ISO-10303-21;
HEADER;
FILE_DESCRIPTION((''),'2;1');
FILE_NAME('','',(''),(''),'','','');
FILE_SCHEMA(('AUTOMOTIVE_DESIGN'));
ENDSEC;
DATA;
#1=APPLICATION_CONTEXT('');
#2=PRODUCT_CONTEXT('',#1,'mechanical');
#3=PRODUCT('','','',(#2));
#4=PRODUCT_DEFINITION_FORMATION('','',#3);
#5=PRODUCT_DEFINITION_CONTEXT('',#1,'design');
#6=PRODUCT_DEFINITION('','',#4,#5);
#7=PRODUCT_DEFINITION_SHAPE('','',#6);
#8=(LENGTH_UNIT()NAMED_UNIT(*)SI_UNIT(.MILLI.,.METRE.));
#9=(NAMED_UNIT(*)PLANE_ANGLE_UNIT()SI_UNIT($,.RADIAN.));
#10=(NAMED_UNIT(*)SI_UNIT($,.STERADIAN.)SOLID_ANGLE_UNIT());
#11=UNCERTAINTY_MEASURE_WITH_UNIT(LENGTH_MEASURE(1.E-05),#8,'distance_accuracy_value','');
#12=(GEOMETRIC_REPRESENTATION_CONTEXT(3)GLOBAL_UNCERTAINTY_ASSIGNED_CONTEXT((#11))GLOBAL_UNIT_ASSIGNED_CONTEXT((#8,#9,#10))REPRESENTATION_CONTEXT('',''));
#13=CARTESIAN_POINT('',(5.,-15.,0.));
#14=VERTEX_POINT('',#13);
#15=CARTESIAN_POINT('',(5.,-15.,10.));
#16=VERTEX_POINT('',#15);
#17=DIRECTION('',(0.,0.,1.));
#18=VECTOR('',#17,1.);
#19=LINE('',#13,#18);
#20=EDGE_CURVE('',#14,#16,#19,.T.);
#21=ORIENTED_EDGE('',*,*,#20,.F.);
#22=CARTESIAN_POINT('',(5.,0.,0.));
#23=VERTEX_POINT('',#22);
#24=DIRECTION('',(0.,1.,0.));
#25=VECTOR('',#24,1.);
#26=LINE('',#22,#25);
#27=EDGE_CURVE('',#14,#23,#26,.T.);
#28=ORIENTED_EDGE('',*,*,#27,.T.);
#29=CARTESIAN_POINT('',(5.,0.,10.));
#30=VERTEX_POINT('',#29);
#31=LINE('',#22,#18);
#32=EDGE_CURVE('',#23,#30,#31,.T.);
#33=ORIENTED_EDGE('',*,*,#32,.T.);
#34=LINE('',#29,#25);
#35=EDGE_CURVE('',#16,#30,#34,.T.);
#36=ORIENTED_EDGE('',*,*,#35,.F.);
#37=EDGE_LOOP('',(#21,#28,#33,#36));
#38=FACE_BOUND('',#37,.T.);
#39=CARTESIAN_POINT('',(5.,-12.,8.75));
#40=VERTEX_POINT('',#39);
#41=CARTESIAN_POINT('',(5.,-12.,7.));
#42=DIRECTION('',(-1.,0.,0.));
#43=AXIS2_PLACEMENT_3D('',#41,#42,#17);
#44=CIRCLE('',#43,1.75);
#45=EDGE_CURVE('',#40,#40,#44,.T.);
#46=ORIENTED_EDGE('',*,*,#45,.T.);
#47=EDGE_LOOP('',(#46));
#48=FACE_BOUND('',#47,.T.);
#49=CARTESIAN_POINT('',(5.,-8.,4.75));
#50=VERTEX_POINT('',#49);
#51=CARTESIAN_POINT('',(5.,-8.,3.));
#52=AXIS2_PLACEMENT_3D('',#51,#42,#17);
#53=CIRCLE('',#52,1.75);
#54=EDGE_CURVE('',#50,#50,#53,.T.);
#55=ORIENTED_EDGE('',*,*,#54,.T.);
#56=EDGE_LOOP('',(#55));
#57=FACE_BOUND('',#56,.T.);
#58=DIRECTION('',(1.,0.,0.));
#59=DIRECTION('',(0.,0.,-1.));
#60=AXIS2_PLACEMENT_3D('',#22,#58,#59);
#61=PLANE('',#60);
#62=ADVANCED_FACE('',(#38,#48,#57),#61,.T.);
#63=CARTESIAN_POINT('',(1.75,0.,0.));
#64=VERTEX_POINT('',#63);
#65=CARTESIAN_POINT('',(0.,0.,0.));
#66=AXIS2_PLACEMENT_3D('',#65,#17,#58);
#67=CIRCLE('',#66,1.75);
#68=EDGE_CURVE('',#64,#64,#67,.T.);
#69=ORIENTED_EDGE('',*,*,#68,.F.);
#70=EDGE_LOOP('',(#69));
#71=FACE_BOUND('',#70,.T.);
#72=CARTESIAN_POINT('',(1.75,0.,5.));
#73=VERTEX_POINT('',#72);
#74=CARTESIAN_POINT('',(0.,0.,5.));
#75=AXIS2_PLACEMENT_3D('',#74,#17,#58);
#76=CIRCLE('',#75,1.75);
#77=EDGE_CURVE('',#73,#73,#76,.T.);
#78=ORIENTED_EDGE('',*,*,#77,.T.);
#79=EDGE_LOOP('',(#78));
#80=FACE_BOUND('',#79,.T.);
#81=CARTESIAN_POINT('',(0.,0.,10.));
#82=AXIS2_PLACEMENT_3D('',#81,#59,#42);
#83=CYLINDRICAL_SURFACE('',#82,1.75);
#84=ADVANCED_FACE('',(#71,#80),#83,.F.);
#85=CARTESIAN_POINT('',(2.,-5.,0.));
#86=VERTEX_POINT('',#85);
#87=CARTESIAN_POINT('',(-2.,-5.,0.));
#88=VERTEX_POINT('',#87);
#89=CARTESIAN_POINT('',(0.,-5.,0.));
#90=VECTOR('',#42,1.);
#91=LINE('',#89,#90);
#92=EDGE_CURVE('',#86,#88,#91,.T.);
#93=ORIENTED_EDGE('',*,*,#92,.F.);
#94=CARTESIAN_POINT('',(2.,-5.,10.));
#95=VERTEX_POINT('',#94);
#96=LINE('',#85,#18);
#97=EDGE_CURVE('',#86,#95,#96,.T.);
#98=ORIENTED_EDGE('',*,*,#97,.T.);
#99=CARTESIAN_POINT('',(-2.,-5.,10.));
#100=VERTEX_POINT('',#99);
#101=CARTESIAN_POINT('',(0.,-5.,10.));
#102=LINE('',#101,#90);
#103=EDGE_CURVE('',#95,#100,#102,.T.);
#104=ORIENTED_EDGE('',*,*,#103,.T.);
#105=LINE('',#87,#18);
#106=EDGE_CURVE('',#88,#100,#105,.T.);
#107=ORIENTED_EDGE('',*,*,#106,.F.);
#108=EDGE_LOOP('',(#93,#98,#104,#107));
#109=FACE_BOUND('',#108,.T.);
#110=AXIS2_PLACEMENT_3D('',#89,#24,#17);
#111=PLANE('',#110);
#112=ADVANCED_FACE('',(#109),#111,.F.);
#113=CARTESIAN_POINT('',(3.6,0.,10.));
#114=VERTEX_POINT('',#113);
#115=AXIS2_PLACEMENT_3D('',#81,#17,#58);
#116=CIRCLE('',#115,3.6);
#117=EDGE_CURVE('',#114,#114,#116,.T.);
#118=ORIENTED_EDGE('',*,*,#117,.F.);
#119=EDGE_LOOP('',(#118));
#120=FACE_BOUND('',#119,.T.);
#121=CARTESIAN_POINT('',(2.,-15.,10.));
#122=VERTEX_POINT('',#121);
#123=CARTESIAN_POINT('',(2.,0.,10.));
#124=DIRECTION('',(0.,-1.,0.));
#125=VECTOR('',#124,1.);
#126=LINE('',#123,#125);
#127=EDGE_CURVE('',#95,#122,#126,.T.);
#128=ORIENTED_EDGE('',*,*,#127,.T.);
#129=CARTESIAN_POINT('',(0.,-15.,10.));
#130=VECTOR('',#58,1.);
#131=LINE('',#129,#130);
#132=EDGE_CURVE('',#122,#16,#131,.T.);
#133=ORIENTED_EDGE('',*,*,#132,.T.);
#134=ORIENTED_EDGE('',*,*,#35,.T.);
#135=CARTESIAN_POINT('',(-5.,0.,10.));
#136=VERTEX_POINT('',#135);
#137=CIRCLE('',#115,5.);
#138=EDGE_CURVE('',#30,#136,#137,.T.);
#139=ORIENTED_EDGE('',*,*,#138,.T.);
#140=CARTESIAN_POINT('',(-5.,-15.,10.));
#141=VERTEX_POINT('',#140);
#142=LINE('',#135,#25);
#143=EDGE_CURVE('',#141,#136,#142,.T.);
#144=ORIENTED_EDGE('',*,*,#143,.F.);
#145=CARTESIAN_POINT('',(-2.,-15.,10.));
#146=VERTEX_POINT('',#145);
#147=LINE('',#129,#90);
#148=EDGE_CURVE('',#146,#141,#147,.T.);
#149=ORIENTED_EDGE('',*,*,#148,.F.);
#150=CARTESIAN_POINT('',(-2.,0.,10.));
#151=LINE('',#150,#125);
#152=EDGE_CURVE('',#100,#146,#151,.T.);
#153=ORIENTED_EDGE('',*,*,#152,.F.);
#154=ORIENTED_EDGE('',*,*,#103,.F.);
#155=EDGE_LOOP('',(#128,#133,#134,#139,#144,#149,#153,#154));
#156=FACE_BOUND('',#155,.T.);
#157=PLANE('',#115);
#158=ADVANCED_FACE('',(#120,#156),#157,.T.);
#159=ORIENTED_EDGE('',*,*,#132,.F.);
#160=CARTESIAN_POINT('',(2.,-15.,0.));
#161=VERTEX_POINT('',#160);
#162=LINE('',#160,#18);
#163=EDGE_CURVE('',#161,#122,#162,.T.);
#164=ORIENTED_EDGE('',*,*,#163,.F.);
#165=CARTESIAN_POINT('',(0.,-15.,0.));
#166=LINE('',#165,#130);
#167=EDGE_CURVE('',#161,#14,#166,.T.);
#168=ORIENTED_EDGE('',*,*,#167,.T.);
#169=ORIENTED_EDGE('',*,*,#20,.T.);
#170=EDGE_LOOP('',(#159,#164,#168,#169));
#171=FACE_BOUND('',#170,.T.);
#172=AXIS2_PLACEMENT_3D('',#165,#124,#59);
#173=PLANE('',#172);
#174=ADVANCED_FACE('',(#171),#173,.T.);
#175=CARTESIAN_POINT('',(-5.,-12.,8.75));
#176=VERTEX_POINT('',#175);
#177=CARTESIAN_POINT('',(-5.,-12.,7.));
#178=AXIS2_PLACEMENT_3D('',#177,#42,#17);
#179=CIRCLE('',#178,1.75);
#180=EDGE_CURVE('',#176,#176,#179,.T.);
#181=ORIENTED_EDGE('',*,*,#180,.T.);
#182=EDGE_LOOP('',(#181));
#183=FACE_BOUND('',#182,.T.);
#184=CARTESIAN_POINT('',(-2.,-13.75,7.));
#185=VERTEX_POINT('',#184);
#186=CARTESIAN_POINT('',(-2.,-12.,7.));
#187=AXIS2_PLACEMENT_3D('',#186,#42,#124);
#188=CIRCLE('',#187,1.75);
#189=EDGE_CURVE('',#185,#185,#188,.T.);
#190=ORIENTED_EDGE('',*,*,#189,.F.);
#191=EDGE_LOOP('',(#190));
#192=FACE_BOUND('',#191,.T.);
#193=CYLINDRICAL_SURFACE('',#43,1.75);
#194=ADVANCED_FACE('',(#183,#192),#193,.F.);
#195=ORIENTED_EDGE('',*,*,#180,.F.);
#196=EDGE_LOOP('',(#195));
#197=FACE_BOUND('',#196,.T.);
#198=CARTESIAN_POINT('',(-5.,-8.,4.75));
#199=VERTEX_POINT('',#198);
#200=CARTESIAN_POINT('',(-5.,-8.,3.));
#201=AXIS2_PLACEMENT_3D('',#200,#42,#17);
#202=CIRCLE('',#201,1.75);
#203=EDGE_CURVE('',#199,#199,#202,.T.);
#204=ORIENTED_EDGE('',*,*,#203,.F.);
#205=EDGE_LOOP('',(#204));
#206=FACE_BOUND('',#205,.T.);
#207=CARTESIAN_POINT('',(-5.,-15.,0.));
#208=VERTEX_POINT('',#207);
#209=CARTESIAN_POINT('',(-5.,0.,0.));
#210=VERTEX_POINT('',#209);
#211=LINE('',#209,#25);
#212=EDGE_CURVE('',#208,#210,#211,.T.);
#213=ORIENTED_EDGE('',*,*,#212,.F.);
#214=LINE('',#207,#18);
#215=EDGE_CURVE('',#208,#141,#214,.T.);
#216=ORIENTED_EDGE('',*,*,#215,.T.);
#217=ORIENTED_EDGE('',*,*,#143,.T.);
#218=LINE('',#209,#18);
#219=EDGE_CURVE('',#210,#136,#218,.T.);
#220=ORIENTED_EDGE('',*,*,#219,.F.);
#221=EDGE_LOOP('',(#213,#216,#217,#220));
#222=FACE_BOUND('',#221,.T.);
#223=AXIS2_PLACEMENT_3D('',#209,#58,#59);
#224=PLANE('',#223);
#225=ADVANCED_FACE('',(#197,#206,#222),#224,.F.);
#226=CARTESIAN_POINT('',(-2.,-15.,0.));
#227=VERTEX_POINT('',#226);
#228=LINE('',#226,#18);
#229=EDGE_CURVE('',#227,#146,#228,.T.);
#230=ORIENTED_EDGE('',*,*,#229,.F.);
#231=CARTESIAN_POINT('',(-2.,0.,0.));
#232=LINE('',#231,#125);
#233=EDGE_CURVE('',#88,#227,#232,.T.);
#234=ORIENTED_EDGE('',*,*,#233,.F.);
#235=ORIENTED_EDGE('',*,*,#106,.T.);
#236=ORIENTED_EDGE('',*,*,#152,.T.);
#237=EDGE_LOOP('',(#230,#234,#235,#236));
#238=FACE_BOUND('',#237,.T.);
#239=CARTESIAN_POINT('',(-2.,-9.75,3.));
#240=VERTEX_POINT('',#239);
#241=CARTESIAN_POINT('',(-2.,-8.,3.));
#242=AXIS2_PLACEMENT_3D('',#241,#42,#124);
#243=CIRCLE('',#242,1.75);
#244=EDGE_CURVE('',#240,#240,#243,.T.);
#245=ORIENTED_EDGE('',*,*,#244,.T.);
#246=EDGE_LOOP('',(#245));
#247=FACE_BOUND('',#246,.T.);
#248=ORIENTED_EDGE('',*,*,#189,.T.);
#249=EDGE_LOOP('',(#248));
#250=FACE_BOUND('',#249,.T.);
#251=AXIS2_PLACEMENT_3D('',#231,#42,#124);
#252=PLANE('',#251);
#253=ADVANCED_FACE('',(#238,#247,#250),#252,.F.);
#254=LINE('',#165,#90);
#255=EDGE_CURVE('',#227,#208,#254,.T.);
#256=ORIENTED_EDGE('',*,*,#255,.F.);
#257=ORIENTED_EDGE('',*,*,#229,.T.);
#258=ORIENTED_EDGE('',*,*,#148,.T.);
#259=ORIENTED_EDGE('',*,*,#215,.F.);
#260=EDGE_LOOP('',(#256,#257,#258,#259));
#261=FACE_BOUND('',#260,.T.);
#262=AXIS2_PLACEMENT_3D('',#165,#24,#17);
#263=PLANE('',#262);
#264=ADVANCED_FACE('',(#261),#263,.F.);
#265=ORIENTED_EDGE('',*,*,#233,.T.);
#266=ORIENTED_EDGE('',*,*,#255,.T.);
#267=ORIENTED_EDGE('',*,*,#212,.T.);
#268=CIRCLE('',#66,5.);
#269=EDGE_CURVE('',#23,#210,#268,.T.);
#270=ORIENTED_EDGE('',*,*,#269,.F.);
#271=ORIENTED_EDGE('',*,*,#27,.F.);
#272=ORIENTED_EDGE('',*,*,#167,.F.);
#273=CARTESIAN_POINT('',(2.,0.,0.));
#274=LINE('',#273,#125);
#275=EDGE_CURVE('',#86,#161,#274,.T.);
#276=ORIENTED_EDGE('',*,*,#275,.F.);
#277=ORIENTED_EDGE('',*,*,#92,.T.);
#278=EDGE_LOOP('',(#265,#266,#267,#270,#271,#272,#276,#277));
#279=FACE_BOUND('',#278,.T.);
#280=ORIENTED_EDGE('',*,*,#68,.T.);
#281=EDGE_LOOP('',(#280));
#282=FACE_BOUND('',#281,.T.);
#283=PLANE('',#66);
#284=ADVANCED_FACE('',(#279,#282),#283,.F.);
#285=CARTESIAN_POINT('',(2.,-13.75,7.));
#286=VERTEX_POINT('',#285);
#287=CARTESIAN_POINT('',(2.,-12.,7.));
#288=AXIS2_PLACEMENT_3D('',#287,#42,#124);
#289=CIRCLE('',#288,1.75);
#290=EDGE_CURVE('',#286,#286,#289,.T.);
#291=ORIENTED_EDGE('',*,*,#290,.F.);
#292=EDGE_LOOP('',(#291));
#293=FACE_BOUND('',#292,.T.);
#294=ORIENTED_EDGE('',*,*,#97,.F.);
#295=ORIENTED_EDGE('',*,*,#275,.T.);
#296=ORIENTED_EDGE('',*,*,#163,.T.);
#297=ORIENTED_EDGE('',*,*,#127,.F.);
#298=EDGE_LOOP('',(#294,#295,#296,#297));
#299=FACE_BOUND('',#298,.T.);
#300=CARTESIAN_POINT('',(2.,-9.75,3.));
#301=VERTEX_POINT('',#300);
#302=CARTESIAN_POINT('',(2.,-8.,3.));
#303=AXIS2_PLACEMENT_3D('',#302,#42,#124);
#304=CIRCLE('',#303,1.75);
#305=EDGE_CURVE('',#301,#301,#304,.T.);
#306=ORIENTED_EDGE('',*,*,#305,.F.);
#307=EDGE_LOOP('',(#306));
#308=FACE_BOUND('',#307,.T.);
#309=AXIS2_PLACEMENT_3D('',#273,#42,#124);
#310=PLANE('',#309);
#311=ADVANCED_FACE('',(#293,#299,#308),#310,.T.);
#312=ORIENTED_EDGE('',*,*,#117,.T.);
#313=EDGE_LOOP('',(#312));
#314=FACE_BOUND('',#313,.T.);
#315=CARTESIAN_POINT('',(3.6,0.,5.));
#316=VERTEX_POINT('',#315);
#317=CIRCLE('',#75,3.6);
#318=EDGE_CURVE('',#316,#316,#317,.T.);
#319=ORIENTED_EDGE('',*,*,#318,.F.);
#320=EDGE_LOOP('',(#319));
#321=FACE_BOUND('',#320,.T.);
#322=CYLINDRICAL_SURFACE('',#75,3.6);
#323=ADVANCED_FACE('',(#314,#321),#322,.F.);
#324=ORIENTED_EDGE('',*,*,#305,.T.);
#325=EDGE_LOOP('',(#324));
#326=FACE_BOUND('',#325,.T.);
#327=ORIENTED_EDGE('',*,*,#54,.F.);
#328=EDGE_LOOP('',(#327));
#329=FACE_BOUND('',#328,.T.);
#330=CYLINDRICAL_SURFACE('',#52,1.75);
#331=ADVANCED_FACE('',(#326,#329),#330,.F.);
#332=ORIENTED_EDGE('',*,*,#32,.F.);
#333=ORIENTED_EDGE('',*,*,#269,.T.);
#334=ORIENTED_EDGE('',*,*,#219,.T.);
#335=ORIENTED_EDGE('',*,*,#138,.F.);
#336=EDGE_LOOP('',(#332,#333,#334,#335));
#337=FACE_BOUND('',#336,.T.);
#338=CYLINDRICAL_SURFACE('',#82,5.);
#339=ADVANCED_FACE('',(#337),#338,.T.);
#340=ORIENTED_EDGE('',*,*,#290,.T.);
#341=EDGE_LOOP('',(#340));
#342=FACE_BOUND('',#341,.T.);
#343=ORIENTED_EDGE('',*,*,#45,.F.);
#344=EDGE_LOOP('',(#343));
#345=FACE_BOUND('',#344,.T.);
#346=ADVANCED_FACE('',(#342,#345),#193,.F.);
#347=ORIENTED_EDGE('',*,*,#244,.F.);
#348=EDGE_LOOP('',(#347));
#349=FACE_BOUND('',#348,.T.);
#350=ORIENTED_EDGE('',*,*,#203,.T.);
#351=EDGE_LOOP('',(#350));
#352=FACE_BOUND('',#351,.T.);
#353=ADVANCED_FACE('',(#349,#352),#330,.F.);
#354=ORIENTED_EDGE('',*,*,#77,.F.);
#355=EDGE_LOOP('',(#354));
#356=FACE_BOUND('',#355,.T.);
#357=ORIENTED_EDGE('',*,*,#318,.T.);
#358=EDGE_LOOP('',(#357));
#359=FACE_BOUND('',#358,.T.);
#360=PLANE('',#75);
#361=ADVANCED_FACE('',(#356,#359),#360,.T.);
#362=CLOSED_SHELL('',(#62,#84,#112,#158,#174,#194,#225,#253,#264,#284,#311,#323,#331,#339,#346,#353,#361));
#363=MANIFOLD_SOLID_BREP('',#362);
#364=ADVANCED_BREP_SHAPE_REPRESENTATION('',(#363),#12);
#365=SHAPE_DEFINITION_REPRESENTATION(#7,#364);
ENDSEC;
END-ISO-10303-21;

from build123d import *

# Parameters (mm, degrees)
ESBO_O1_R                = 5
ESBO_O1_R_2              = 1.75
RESSALTO_EXTRUS_O1_DEPTH = 10
ESBO_O2_R                = 3.6
CORTE_EXTRUS_O1_DEPTH    = 5
RESSALTO_EXTRUS_O2_START = -10
RESSALTO_EXTRUS_O2_DEPTH = 10
ESBO_O4_R                = 1.75
CORTE_EXTRUS_O2_DEPTH    = 10


with BuildPart() as part:
    # Esboço1 → Ressalto-extrusão1 (new body)
    with BuildSketch(Plane.XY):
        Circle(ESBO_O1_R)
        Circle(ESBO_O1_R_2, mode=Mode.SUBTRACT)
    extrude(amount=RESSALTO_EXTRUS_O1_DEPTH)

    # Esboço2 → Corte-extrusão1 (cut)
    with BuildSketch(Plane.XY.offset(10)):
        Circle(ESBO_O2_R)
    extrude(amount=-CORTE_EXTRUS_O1_DEPTH, mode=Mode.SUBTRACT)

    # Esboço3 → Ressalto-extrusão2 (add)
    with BuildSketch(Plane.XY.offset(10).offset(RESSALTO_EXTRUS_O2_START)):
        with BuildLine():
            Line((2, -4.582575695), (2, -5))
            Line((2, -5), (2, -15))
            Line((2, -15), (5, -15))
            Line((5, -15), (5, 0))
            ThreePointArc((5, 0), (4.183300133, -2.738612788), (2, -4.582575695))
        make_face()
        with BuildLine():
            Line((-2, -15), (-2, -5))
            Line((-2, -5), (-2, -4.582575695))
            ThreePointArc((-2, -4.582575695), (-4.183300133, -2.738612788), (-5, 0))
            Line((-5, 0), (-5, -15))
            Line((-5, -15), (-2, -15))
        make_face()
        with BuildLine():
            Line((-2, -5), (3e-09, -5))
            ThreePointArc((3e-09, -5), (-1.021548217, -4.894531565), (-2, -4.582575695))
            Line((-2, -4.582575695), (-2, -5))
        make_face()
        with BuildLine():
            Line((3e-09, -5), (2, -5))
            Line((2, -5), (2, -4.582575695))
            ThreePointArc((2, -4.582575695), (1.02154822, -4.894531564), (3e-09, -5))
        make_face()
        with BuildLine():
            ThreePointArc((-2, -4.582575695), (-1.021548217, -4.894531565), (3e-09, -5))
            ThreePointArc((3e-09, -5), (1.02154822, -4.894531564), (2, -4.582575695))
            Line((2, -4.582575695), (-2, -4.582575695))
        make_face()
    extrude(amount=RESSALTO_EXTRUS_O2_DEPTH)

    # Esboço4 → Corte-extrusão2 (cut)
    with BuildSketch(Plane.ZY.offset(5)):
        with Locations((7, -12)):
            Circle(ESBO_O4_R)
        with Locations((3, -8)):
            Circle(ESBO_O4_R)
    extrude(amount=-CORTE_EXTRUS_O2_DEPTH, mode=Mode.SUBTRACT)


solid = part.part
